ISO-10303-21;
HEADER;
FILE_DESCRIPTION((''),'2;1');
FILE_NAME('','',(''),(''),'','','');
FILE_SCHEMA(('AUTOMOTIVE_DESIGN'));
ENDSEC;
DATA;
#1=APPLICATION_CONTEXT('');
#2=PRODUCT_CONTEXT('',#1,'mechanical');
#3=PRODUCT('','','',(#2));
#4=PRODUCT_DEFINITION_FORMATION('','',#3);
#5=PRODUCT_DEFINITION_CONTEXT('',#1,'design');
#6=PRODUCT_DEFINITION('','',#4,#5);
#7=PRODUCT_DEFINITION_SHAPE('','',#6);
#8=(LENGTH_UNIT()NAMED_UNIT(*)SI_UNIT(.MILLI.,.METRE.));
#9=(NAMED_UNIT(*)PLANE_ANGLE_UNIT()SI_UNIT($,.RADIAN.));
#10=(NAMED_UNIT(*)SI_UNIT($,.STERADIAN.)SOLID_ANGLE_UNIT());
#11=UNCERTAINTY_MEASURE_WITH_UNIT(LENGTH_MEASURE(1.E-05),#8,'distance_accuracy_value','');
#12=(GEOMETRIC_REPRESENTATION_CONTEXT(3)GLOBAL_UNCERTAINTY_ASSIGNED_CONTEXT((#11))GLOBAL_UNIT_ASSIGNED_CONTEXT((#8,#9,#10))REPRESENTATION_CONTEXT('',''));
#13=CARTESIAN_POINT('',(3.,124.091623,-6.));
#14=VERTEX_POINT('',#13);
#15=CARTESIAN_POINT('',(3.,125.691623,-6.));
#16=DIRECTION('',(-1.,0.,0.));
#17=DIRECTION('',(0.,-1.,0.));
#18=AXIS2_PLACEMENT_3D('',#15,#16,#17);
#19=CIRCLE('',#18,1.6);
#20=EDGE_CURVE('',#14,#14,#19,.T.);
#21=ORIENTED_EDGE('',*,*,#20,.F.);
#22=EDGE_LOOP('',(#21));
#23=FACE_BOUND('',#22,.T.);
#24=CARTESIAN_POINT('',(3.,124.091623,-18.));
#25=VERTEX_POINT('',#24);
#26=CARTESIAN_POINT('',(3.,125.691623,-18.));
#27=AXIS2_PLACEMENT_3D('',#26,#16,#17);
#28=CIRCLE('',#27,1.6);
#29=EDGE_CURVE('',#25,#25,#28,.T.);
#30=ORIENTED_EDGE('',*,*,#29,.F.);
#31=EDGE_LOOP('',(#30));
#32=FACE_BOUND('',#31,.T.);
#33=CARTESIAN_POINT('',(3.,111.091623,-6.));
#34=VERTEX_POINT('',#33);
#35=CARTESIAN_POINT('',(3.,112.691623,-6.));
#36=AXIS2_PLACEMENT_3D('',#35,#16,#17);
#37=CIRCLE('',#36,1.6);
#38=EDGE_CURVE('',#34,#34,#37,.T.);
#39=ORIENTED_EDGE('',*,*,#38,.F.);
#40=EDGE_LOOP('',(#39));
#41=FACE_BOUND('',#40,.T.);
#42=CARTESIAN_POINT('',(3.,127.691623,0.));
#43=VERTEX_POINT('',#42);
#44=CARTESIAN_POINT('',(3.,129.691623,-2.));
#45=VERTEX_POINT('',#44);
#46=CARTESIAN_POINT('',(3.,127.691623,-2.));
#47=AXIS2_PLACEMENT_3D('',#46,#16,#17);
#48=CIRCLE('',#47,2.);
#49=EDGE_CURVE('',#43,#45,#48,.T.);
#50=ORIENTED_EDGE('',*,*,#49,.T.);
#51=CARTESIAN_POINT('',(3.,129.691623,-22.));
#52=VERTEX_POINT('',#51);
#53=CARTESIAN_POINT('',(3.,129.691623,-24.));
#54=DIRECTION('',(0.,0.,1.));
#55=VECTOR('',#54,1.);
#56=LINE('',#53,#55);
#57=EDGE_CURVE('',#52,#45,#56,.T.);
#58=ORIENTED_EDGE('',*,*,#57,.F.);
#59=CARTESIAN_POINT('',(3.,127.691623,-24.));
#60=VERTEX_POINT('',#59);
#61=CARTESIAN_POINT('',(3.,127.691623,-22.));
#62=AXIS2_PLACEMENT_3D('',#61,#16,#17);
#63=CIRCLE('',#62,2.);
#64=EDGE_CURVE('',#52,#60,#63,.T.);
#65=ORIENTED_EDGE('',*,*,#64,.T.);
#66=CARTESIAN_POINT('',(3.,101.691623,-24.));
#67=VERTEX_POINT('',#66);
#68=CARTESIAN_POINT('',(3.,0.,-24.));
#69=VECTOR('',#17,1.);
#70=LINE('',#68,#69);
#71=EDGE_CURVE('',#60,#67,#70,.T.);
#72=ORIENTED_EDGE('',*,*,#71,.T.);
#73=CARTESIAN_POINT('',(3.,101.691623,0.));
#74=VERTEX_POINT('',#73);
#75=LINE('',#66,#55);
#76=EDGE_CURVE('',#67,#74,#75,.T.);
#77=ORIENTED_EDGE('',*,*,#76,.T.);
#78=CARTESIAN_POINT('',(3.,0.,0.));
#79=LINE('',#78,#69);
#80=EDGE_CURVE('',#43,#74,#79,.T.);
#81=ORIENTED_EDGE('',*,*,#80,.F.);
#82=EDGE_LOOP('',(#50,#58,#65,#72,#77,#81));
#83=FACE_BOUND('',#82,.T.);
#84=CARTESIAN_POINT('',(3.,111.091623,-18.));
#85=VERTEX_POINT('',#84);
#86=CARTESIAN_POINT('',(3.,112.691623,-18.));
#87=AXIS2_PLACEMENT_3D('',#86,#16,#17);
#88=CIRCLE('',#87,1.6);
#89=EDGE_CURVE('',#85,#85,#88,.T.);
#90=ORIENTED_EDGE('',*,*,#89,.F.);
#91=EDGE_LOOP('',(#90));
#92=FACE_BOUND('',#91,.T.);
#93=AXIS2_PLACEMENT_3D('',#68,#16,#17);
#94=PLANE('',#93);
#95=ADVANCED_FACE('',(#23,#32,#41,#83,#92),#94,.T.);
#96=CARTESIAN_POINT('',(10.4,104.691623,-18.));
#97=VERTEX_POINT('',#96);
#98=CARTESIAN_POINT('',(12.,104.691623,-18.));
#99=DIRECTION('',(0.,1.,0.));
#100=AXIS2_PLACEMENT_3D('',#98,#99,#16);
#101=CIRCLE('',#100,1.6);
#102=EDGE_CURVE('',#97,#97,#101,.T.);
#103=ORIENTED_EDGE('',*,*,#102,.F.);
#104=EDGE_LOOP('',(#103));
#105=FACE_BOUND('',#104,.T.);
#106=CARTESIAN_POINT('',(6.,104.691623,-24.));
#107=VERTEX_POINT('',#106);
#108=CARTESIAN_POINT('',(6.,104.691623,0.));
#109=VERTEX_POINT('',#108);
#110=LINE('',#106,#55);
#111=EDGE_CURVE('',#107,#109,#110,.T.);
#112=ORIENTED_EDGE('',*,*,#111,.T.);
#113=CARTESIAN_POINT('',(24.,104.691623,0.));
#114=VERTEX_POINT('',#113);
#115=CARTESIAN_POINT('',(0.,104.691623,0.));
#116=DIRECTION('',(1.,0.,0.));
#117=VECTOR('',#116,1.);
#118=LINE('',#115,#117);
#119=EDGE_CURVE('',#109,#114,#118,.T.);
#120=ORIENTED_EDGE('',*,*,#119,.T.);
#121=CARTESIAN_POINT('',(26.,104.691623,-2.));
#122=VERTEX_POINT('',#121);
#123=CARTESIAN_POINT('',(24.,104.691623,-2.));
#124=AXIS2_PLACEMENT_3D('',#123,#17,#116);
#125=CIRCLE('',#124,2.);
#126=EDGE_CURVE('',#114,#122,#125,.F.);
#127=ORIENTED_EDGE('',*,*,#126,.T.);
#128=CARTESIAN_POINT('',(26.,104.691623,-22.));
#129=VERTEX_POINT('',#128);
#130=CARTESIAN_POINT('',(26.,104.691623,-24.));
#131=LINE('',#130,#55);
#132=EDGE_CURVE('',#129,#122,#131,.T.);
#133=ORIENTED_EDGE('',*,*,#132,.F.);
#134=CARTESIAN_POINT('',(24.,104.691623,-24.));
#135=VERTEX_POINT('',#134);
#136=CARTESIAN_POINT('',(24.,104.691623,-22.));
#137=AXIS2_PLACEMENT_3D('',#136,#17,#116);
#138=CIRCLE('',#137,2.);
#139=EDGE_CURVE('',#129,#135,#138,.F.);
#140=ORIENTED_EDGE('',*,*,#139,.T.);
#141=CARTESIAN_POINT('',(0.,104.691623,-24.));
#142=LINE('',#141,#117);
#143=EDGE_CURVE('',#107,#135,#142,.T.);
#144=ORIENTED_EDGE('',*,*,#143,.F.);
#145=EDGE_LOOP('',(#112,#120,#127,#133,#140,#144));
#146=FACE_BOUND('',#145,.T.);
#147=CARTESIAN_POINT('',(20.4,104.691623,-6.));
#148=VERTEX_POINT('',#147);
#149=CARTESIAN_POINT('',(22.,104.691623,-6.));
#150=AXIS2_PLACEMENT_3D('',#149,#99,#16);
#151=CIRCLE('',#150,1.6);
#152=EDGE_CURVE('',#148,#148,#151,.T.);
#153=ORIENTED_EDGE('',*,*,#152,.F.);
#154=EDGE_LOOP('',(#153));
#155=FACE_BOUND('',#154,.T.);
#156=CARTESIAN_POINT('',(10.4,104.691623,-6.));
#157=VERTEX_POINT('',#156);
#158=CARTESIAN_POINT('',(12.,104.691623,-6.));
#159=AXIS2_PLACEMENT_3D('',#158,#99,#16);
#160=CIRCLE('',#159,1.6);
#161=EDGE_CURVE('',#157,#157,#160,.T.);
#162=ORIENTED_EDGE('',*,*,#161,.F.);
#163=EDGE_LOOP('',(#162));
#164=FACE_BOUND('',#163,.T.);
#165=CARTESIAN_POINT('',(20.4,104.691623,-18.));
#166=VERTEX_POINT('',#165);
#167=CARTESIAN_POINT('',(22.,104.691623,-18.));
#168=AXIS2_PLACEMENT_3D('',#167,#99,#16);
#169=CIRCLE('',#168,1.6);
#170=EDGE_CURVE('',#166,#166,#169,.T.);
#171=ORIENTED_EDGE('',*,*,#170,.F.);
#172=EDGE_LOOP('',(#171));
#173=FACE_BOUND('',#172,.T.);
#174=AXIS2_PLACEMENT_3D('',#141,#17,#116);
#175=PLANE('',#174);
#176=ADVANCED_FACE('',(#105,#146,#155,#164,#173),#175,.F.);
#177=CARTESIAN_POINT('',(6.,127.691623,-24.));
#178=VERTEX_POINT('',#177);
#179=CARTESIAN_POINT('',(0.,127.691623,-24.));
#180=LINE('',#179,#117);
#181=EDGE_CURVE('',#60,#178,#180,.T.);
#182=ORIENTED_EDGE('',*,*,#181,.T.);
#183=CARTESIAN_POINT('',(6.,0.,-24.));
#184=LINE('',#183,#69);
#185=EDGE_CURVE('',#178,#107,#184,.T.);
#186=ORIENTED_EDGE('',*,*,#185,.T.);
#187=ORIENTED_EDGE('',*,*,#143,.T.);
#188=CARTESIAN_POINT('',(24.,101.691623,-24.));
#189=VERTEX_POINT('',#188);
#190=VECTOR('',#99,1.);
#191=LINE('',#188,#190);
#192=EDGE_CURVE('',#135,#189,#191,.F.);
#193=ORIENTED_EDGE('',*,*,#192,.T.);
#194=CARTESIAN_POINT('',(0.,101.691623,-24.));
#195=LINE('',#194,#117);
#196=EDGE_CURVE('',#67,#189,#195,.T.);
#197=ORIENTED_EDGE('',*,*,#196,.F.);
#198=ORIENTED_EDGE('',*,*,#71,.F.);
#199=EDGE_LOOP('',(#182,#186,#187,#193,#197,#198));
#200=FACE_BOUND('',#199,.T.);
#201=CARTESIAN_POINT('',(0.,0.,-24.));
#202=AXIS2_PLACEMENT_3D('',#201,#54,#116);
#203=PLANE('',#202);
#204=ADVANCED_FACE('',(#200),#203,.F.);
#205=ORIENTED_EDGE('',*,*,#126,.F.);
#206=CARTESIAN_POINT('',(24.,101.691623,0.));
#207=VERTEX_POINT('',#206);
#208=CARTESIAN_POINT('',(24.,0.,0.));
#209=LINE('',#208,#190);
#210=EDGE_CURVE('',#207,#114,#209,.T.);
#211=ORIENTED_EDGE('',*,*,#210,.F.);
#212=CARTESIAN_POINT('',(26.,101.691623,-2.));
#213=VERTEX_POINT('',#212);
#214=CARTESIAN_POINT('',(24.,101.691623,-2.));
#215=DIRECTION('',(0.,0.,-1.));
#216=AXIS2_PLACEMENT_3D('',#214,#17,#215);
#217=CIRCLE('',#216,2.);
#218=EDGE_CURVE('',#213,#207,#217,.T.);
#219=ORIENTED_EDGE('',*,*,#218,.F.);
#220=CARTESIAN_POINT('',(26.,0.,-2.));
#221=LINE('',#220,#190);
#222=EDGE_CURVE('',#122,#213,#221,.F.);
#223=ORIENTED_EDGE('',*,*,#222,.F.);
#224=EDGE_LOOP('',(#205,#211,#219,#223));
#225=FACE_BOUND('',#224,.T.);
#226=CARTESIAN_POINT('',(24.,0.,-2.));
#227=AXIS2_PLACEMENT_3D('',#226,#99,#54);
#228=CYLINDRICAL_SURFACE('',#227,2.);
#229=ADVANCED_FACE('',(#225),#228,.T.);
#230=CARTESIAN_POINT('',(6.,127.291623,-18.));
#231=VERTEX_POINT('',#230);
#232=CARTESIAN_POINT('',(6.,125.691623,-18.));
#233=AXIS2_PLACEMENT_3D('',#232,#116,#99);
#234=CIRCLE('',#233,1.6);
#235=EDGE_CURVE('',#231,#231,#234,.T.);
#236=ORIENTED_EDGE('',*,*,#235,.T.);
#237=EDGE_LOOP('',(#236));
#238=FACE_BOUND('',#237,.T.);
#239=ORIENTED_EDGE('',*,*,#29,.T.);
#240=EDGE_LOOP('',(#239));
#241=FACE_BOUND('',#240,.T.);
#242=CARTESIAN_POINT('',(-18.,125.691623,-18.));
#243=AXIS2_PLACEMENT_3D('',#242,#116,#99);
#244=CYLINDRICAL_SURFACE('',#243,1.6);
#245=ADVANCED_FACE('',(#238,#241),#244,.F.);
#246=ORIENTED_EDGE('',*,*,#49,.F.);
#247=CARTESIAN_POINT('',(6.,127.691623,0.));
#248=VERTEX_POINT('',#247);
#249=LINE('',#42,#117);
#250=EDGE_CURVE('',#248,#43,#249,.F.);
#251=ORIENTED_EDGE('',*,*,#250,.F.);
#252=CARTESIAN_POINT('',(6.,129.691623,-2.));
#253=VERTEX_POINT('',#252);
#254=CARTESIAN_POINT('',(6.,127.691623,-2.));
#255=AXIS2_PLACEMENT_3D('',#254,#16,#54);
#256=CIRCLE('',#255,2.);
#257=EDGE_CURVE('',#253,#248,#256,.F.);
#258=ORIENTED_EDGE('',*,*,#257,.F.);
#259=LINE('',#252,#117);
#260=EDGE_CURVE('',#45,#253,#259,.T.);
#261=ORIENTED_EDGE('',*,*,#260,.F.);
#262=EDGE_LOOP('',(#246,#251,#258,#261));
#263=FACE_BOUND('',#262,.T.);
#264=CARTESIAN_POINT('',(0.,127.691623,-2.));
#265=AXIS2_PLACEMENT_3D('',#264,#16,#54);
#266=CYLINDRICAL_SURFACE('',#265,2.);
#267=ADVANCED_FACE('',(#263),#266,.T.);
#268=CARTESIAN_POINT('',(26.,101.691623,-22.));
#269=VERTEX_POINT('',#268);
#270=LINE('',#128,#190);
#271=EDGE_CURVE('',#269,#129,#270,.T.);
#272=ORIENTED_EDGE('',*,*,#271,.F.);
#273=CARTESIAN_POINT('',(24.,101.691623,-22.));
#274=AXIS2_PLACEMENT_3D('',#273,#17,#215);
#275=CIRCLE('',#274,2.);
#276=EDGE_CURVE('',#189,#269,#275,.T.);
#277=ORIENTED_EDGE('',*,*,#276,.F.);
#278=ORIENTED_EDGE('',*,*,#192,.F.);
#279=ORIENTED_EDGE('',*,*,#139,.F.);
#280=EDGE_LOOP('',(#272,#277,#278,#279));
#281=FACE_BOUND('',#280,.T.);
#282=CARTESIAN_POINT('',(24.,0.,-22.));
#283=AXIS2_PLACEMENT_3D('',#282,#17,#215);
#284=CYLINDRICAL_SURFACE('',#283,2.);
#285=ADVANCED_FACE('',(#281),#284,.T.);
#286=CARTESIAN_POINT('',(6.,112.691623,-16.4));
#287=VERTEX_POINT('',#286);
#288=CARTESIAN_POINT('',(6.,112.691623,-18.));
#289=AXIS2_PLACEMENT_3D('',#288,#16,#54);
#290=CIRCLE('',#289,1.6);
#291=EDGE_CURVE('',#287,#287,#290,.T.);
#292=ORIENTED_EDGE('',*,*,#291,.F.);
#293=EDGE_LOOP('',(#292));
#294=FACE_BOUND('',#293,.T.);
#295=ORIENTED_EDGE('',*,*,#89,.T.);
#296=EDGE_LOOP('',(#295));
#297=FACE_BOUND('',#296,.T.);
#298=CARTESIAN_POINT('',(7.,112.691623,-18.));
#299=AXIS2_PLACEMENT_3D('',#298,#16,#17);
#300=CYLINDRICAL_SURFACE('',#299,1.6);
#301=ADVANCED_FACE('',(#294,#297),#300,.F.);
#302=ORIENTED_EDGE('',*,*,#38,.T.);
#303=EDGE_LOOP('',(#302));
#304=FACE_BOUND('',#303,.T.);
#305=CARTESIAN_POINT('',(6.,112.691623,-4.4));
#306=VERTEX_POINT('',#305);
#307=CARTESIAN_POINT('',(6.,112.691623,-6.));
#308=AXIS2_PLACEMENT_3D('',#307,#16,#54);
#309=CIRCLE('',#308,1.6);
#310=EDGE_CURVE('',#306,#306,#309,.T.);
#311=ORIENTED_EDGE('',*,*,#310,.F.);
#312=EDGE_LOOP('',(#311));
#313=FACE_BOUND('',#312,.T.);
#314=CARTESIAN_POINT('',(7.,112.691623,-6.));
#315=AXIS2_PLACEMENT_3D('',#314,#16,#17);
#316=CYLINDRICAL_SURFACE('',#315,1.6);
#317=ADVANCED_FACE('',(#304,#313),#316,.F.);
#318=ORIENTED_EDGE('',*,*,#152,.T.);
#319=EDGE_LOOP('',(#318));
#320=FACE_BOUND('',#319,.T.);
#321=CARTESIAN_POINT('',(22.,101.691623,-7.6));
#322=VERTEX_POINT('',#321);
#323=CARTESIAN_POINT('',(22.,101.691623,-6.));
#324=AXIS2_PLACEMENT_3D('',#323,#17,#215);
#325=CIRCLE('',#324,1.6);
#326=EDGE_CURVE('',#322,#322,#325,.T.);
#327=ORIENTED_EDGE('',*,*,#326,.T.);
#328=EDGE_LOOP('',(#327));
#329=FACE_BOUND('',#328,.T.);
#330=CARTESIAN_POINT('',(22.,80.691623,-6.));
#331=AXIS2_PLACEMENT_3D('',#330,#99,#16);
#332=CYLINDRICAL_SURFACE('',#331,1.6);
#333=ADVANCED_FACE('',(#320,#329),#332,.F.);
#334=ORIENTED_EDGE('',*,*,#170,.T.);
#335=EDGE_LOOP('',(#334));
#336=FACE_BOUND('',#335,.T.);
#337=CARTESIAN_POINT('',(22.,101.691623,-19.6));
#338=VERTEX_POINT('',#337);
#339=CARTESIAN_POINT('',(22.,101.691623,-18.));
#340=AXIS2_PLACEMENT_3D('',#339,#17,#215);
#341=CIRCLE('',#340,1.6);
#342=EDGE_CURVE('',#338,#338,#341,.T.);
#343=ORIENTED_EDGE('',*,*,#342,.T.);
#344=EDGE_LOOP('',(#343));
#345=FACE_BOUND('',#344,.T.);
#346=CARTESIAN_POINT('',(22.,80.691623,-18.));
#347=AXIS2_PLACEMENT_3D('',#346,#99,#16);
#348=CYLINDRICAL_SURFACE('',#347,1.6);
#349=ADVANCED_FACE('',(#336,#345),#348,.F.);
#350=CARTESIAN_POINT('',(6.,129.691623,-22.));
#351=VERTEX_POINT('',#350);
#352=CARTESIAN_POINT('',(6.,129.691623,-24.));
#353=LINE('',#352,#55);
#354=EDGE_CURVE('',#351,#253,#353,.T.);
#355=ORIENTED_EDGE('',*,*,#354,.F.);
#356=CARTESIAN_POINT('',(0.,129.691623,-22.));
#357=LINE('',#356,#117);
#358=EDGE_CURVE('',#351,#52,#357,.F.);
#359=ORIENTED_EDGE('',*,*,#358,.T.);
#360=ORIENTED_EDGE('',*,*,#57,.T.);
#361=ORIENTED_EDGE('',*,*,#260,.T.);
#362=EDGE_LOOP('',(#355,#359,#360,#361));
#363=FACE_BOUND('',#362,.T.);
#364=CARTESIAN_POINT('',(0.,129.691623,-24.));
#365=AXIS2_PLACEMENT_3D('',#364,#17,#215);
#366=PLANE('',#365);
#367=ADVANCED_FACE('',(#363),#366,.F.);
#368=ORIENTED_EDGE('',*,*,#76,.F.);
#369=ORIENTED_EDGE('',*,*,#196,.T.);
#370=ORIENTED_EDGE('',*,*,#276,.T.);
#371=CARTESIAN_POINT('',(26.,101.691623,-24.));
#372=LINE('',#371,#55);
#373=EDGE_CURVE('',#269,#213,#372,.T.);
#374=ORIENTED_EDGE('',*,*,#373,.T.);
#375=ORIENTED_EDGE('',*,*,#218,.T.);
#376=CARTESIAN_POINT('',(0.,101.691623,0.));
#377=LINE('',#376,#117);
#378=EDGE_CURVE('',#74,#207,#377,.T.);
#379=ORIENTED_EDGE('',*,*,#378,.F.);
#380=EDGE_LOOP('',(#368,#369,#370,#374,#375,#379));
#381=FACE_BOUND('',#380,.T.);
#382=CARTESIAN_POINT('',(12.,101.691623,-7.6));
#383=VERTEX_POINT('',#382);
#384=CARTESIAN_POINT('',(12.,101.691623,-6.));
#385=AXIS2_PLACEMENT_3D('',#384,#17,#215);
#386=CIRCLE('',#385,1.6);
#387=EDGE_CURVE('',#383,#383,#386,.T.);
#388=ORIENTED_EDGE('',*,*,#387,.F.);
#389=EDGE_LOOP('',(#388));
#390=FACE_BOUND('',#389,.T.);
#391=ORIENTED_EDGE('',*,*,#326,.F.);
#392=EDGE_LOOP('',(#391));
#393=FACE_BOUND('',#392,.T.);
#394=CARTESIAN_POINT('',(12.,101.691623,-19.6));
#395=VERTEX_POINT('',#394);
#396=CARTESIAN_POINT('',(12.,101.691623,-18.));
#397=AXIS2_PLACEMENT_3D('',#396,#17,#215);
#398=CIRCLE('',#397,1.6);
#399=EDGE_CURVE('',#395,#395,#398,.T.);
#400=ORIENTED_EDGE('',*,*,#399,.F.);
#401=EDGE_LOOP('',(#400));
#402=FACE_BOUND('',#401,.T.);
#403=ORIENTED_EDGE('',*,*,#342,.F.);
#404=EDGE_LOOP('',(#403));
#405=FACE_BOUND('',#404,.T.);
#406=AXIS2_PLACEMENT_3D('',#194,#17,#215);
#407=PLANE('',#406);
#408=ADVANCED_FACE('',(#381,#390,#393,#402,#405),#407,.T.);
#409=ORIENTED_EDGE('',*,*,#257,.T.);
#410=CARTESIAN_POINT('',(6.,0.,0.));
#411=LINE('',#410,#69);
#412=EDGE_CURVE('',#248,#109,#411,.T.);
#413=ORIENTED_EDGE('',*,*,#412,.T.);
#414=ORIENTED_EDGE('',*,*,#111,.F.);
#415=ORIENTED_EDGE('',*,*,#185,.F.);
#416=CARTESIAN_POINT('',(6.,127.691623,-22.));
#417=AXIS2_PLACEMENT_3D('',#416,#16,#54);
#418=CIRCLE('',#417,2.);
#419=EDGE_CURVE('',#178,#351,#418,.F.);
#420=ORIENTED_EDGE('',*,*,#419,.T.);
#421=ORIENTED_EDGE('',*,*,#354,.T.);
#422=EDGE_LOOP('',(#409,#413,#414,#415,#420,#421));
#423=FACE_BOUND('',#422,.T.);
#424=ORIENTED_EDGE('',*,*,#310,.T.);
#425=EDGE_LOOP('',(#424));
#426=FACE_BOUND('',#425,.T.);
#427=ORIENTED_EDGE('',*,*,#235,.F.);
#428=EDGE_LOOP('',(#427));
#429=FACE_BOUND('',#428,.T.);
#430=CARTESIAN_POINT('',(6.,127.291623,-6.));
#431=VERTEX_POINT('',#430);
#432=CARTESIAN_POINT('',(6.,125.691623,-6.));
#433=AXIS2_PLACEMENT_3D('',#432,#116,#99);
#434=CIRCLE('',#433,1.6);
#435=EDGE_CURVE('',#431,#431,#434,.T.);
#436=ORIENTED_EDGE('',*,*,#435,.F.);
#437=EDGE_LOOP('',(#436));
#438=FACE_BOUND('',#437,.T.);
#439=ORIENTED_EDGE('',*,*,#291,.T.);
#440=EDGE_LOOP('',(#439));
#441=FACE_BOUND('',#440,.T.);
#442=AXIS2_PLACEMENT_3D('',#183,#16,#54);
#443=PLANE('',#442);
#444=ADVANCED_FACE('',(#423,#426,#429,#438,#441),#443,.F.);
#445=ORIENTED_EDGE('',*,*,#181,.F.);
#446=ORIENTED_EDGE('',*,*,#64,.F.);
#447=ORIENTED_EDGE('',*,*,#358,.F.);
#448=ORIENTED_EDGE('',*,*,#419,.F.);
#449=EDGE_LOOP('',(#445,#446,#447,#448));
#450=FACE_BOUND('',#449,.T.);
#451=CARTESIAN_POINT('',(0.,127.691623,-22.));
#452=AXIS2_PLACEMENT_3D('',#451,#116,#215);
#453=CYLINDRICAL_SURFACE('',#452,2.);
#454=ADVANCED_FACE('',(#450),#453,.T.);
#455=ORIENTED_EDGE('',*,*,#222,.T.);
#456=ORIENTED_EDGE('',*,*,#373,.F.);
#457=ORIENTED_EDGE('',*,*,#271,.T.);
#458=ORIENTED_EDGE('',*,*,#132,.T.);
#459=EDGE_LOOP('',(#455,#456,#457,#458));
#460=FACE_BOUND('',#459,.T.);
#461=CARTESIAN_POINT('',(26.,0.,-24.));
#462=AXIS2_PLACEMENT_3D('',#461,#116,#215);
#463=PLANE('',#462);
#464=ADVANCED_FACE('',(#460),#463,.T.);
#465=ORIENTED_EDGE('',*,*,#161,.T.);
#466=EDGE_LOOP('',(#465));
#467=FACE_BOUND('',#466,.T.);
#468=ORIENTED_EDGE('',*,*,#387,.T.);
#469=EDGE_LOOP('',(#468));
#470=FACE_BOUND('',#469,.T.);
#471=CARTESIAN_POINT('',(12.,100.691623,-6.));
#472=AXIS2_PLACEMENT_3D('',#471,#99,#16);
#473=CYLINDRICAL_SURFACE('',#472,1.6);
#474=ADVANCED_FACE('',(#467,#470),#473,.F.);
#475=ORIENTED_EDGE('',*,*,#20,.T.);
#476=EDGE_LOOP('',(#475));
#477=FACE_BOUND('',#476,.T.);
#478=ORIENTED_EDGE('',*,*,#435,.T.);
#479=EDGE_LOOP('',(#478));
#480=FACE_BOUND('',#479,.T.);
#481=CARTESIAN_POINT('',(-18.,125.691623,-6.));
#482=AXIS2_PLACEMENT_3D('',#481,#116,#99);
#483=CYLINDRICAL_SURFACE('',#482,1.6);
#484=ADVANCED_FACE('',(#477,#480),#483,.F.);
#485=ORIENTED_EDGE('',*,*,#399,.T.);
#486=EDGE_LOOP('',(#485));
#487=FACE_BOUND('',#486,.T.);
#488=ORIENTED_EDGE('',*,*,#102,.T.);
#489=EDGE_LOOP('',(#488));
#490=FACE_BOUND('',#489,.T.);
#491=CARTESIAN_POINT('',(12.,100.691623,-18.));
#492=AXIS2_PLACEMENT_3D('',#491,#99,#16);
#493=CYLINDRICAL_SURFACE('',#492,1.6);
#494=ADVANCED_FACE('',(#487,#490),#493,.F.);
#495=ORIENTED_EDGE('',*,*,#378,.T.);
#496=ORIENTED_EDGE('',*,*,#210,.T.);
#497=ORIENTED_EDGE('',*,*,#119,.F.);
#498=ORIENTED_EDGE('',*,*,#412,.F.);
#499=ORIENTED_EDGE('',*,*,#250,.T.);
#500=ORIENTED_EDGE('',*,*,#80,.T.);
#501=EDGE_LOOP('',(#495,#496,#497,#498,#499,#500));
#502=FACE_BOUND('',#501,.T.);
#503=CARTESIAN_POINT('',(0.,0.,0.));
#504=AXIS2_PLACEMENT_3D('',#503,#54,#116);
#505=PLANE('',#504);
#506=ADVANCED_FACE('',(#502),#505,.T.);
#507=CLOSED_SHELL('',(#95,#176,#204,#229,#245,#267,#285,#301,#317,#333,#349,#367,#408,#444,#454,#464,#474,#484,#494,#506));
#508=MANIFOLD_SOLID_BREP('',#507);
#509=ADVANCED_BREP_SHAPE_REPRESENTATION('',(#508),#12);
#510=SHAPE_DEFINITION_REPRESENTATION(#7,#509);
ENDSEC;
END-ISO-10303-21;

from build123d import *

# Parameters (mm, degrees)
EXTRUDE_1_DEPTH     = 24
SKETCH_2_R          = 1.6
CUT_EXTRUDE_1_DEPTH = 24
SKETCH_3_R          = 1.6
CUT_EXTRUDE_2_DEPTH = 24
FILLET_1_R          = 2
SKETCH_4_R          = 1.6
CUT_EXTRUDE_3_DEPTH = 4
SKETCH_5_R          = 1.6
CUT_EXTRUDE_4_DEPTH = 4


with BuildPart() as part:
    # 草图1 → 凸台-拉伸1 (new body)
    with BuildSketch(Plane.XY):
        Polygon((6, 129.691622655), (3, 129.691622655), (3, 101.691622655), (26, 101.691622655), (26, 104.691622655), (6, 104.691622655), align=None)
    extrude(amount=-EXTRUDE_1_DEPTH)

    # 草图2 → 切除-拉伸1 (cut)
    with BuildSketch(Plane(origin=(6, 0, 0), x_dir=(0, 0, -1), z_dir=(1, 0, 0))):
        with Locations(Location((6, 125.691622655, 0), (0, 0, 90))):
            Circle(SKETCH_2_R)
        with Locations(Location((18, 125.691622655, 0), (0, 0, 90))):
            Circle(SKETCH_2_R)
    extrude(amount=-CUT_EXTRUDE_1_DEPTH, mode=Mode.SUBTRACT)

    # 草图3 → 切除-拉伸2 (cut)
    with BuildSketch(Plane(origin=(0, 104.691622655, 0), x_dir=(1, 0, 0), z_dir=(0, 1, 0))):
        with Locations(Location((22, 6, 0), (0, 0, 180))):
            Circle(SKETCH_3_R)
        with Locations(Location((22, 18, 0), (0, 0, 180))):
            Circle(SKETCH_3_R)
    extrude(amount=-CUT_EXTRUDE_2_DEPTH, mode=Mode.SUBTRACT)

    # 圆角1
    fillet_1_edges = [part.edges().sort_by_distance(p)[0] for p in [
        (4.5, 129.691622655, -24),
        (4.5, 129.691622655, 0),
        (26, 103.191622655, -24),
        (26, 103.191622655, 0),
    ]]
    fillet(fillet_1_edges, radius=FILLET_1_R)

    # 草图4 → 切除-拉伸3 (cut)
    with BuildSketch(Plane.ZY.offset(-3)):
        with Locations(Location((-18, 112.691622655, 0), (0, 0, 270))):
            Circle(SKETCH_4_R)
        with Locations(Location((-6, 112.691622655, 0), (0, 0, 270))):
            Circle(SKETCH_4_R)
    extrude(amount=-CUT_EXTRUDE_3_DEPTH, mode=Mode.SUBTRACT)

    # 草图5 → 切除-拉伸4 (cut)
    with BuildSketch(Plane(origin=(0, 104.691622655, 0), x_dir=(1, 0, 0), z_dir=(0, 1, 0))):
        with Locations(Location((12, 18, 0), (0, 0, 180))):
            Circle(SKETCH_5_R)
        with Locations(Location((12, 6, 0), (0, 0, 180))):
            Circle(SKETCH_5_R)
    extrude(amount=-CUT_EXTRUDE_4_DEPTH, mode=Mode.SUBTRACT)


solid = part.part
